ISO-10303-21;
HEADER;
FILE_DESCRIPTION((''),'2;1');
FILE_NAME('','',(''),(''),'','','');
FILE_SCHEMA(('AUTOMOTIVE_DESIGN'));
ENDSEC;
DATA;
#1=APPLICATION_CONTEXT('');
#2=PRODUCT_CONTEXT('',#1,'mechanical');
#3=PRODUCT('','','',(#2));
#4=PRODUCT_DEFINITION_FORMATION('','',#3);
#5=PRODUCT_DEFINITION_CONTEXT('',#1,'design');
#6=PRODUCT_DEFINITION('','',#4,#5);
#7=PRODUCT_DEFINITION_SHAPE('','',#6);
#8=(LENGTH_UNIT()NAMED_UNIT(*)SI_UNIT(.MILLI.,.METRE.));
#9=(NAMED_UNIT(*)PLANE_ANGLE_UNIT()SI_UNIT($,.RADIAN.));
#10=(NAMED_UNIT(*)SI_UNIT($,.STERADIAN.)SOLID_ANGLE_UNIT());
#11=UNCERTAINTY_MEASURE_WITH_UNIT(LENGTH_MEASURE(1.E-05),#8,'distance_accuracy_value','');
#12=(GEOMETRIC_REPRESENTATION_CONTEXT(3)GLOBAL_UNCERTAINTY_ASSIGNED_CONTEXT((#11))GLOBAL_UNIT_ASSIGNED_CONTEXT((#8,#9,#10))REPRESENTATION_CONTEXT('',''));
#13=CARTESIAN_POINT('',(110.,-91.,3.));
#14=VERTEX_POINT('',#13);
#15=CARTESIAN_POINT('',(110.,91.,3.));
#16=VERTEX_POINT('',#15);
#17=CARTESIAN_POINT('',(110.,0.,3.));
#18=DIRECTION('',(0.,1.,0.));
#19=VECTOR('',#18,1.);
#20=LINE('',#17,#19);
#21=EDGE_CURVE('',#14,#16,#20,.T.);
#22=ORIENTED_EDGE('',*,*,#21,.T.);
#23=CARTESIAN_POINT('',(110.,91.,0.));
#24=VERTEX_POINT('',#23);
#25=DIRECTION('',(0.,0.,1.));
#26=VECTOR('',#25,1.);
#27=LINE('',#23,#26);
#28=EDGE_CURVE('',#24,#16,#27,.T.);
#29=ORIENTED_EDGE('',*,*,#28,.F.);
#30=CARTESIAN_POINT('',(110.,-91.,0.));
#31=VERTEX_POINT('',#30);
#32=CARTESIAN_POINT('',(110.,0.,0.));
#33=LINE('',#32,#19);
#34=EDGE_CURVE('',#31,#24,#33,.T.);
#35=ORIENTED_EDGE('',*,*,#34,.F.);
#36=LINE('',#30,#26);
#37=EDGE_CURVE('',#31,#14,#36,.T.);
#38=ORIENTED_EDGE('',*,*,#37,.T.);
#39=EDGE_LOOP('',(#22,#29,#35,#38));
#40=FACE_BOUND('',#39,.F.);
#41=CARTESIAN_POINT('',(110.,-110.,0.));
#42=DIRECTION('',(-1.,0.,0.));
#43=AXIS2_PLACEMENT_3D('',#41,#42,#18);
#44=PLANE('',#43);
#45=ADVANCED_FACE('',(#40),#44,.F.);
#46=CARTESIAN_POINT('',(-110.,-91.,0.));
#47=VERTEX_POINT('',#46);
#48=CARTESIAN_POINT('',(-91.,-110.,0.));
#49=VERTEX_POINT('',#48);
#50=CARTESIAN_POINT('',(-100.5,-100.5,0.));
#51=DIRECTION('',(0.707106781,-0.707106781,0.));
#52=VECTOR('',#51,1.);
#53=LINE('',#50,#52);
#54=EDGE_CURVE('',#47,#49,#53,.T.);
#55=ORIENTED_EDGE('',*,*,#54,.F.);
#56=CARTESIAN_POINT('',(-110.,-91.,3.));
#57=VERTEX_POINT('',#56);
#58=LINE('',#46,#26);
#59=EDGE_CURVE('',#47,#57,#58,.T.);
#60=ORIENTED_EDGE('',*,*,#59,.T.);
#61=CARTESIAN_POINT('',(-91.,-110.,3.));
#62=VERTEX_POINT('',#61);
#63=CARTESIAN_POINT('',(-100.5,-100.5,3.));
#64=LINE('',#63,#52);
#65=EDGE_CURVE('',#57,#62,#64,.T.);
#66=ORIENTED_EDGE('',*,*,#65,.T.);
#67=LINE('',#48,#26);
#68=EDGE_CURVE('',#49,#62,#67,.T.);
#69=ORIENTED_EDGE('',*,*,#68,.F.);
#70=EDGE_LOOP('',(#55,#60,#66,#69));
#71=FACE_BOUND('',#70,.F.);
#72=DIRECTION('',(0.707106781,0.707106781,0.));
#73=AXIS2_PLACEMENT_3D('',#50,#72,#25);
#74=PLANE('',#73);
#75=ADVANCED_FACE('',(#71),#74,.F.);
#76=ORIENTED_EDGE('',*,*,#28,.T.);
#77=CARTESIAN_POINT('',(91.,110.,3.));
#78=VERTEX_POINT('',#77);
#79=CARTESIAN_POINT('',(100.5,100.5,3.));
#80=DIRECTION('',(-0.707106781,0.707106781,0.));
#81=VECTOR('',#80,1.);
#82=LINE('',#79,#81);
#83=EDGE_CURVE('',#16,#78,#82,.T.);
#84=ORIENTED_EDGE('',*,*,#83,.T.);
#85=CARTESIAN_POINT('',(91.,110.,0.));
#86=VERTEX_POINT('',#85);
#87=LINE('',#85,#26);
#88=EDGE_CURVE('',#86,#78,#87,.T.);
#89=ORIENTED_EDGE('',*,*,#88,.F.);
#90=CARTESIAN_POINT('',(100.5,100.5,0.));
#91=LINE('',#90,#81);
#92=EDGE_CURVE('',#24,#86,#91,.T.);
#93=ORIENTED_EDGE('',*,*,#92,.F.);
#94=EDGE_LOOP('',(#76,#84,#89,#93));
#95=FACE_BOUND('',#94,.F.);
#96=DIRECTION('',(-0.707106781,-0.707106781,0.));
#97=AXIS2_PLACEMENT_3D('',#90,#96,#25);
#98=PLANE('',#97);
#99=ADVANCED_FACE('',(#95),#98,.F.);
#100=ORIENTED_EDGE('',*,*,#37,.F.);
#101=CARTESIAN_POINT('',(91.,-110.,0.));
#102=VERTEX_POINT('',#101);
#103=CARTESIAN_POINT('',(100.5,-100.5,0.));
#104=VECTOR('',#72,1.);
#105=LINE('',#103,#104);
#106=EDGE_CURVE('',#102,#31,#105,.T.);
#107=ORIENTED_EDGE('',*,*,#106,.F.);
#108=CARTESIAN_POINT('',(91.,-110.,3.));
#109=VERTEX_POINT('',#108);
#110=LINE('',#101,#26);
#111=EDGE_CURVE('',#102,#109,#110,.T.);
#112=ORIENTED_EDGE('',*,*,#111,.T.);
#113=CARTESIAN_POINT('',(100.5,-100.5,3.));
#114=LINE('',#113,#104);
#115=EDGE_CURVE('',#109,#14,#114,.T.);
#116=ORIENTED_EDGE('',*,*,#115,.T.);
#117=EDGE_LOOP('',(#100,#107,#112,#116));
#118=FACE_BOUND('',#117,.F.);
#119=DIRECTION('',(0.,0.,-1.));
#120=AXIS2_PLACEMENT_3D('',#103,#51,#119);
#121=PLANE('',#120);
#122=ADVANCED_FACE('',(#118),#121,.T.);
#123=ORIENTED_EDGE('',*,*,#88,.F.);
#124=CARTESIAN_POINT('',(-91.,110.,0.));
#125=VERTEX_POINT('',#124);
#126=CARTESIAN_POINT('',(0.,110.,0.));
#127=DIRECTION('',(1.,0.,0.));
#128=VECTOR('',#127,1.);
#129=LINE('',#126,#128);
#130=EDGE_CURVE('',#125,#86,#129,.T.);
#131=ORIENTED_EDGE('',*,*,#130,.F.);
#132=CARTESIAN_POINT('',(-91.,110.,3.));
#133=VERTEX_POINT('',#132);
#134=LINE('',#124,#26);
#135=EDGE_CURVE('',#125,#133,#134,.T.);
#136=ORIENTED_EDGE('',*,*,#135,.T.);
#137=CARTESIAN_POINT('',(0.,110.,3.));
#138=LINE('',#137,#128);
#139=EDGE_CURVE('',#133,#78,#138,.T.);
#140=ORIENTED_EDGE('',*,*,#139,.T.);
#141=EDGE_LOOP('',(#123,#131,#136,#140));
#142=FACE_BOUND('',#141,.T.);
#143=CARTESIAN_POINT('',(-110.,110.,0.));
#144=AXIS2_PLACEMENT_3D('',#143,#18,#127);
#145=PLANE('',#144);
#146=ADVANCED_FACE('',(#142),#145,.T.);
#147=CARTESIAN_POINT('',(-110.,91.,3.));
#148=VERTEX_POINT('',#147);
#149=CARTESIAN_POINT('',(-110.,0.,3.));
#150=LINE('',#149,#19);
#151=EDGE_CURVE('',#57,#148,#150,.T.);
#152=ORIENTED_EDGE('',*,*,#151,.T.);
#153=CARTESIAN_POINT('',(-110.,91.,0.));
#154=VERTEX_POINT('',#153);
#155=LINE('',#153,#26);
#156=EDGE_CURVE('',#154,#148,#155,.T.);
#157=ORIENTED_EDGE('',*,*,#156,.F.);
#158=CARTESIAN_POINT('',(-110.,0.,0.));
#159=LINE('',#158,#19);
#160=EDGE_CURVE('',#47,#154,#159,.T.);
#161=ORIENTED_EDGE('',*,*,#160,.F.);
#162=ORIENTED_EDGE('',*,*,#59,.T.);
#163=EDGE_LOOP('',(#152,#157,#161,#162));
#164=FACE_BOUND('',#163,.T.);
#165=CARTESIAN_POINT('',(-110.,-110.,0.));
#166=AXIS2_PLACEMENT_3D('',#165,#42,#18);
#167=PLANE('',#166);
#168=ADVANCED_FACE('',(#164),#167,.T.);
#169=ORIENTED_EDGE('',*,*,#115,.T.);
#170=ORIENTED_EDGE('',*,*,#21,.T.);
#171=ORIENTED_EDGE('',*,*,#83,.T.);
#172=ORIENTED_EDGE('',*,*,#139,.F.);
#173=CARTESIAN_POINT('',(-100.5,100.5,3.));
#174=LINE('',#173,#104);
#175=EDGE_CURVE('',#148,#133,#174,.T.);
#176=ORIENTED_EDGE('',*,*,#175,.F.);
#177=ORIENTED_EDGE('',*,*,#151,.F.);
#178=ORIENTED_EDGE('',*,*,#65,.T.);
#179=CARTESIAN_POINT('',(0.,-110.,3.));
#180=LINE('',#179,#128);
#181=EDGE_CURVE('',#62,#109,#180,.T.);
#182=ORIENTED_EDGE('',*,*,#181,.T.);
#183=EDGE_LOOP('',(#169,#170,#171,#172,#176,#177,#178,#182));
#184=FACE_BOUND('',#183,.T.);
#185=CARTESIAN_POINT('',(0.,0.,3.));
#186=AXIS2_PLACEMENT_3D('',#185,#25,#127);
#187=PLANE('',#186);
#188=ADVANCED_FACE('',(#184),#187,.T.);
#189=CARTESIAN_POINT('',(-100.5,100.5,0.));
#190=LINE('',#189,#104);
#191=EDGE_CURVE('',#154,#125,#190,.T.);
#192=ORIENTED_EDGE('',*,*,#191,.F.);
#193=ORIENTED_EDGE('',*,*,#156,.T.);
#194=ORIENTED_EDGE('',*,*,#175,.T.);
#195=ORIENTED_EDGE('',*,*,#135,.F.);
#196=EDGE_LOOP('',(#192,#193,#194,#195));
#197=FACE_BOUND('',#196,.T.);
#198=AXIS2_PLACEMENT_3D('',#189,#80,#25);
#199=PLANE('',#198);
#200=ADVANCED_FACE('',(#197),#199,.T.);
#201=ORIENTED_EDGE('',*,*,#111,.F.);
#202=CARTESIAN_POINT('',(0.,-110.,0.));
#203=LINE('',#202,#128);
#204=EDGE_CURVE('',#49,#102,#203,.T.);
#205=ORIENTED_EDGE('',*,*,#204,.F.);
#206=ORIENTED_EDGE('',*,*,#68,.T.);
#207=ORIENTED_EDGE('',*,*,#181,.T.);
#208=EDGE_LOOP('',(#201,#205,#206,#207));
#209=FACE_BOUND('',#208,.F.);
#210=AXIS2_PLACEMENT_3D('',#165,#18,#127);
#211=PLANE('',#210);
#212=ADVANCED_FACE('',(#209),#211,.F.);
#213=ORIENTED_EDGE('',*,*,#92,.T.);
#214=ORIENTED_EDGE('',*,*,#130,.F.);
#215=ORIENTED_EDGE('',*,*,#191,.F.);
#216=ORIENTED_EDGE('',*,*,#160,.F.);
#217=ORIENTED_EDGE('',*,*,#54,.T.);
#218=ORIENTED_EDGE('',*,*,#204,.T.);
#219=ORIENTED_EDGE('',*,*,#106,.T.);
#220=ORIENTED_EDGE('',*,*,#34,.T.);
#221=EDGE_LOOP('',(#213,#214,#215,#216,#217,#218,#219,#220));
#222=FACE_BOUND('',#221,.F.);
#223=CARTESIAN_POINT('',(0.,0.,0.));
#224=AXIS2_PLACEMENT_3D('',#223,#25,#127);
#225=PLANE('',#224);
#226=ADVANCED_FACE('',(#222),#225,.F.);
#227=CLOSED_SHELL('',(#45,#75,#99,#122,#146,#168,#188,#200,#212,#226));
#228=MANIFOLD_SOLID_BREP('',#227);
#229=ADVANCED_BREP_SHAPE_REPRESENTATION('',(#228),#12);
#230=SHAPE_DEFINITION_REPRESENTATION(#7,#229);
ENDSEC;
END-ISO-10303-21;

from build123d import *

# Parameters (mm, degrees)
F0_W     = 220
F0_H     = 220
F1_DEPTH = 3
F2_SIZE  = 19


with BuildPart() as f1:
    # F0 (on Top) → F1 (new body)
    with BuildSketch(Plane.XY):
        Rectangle(F0_W, F0_H)
    extrude(amount=F1_DEPTH)

    # F2
    f2_edges = [f1.edges().sort_by_distance(p)[0] for p in [
        (-110, -110, 1.5),
        (110, -110, 1.5),
        (-110, 110, 1.5),
        (110, 110, 1.5),
    ]]
    chamfer(f2_edges, length=F2_SIZE)


solid = f1.part
